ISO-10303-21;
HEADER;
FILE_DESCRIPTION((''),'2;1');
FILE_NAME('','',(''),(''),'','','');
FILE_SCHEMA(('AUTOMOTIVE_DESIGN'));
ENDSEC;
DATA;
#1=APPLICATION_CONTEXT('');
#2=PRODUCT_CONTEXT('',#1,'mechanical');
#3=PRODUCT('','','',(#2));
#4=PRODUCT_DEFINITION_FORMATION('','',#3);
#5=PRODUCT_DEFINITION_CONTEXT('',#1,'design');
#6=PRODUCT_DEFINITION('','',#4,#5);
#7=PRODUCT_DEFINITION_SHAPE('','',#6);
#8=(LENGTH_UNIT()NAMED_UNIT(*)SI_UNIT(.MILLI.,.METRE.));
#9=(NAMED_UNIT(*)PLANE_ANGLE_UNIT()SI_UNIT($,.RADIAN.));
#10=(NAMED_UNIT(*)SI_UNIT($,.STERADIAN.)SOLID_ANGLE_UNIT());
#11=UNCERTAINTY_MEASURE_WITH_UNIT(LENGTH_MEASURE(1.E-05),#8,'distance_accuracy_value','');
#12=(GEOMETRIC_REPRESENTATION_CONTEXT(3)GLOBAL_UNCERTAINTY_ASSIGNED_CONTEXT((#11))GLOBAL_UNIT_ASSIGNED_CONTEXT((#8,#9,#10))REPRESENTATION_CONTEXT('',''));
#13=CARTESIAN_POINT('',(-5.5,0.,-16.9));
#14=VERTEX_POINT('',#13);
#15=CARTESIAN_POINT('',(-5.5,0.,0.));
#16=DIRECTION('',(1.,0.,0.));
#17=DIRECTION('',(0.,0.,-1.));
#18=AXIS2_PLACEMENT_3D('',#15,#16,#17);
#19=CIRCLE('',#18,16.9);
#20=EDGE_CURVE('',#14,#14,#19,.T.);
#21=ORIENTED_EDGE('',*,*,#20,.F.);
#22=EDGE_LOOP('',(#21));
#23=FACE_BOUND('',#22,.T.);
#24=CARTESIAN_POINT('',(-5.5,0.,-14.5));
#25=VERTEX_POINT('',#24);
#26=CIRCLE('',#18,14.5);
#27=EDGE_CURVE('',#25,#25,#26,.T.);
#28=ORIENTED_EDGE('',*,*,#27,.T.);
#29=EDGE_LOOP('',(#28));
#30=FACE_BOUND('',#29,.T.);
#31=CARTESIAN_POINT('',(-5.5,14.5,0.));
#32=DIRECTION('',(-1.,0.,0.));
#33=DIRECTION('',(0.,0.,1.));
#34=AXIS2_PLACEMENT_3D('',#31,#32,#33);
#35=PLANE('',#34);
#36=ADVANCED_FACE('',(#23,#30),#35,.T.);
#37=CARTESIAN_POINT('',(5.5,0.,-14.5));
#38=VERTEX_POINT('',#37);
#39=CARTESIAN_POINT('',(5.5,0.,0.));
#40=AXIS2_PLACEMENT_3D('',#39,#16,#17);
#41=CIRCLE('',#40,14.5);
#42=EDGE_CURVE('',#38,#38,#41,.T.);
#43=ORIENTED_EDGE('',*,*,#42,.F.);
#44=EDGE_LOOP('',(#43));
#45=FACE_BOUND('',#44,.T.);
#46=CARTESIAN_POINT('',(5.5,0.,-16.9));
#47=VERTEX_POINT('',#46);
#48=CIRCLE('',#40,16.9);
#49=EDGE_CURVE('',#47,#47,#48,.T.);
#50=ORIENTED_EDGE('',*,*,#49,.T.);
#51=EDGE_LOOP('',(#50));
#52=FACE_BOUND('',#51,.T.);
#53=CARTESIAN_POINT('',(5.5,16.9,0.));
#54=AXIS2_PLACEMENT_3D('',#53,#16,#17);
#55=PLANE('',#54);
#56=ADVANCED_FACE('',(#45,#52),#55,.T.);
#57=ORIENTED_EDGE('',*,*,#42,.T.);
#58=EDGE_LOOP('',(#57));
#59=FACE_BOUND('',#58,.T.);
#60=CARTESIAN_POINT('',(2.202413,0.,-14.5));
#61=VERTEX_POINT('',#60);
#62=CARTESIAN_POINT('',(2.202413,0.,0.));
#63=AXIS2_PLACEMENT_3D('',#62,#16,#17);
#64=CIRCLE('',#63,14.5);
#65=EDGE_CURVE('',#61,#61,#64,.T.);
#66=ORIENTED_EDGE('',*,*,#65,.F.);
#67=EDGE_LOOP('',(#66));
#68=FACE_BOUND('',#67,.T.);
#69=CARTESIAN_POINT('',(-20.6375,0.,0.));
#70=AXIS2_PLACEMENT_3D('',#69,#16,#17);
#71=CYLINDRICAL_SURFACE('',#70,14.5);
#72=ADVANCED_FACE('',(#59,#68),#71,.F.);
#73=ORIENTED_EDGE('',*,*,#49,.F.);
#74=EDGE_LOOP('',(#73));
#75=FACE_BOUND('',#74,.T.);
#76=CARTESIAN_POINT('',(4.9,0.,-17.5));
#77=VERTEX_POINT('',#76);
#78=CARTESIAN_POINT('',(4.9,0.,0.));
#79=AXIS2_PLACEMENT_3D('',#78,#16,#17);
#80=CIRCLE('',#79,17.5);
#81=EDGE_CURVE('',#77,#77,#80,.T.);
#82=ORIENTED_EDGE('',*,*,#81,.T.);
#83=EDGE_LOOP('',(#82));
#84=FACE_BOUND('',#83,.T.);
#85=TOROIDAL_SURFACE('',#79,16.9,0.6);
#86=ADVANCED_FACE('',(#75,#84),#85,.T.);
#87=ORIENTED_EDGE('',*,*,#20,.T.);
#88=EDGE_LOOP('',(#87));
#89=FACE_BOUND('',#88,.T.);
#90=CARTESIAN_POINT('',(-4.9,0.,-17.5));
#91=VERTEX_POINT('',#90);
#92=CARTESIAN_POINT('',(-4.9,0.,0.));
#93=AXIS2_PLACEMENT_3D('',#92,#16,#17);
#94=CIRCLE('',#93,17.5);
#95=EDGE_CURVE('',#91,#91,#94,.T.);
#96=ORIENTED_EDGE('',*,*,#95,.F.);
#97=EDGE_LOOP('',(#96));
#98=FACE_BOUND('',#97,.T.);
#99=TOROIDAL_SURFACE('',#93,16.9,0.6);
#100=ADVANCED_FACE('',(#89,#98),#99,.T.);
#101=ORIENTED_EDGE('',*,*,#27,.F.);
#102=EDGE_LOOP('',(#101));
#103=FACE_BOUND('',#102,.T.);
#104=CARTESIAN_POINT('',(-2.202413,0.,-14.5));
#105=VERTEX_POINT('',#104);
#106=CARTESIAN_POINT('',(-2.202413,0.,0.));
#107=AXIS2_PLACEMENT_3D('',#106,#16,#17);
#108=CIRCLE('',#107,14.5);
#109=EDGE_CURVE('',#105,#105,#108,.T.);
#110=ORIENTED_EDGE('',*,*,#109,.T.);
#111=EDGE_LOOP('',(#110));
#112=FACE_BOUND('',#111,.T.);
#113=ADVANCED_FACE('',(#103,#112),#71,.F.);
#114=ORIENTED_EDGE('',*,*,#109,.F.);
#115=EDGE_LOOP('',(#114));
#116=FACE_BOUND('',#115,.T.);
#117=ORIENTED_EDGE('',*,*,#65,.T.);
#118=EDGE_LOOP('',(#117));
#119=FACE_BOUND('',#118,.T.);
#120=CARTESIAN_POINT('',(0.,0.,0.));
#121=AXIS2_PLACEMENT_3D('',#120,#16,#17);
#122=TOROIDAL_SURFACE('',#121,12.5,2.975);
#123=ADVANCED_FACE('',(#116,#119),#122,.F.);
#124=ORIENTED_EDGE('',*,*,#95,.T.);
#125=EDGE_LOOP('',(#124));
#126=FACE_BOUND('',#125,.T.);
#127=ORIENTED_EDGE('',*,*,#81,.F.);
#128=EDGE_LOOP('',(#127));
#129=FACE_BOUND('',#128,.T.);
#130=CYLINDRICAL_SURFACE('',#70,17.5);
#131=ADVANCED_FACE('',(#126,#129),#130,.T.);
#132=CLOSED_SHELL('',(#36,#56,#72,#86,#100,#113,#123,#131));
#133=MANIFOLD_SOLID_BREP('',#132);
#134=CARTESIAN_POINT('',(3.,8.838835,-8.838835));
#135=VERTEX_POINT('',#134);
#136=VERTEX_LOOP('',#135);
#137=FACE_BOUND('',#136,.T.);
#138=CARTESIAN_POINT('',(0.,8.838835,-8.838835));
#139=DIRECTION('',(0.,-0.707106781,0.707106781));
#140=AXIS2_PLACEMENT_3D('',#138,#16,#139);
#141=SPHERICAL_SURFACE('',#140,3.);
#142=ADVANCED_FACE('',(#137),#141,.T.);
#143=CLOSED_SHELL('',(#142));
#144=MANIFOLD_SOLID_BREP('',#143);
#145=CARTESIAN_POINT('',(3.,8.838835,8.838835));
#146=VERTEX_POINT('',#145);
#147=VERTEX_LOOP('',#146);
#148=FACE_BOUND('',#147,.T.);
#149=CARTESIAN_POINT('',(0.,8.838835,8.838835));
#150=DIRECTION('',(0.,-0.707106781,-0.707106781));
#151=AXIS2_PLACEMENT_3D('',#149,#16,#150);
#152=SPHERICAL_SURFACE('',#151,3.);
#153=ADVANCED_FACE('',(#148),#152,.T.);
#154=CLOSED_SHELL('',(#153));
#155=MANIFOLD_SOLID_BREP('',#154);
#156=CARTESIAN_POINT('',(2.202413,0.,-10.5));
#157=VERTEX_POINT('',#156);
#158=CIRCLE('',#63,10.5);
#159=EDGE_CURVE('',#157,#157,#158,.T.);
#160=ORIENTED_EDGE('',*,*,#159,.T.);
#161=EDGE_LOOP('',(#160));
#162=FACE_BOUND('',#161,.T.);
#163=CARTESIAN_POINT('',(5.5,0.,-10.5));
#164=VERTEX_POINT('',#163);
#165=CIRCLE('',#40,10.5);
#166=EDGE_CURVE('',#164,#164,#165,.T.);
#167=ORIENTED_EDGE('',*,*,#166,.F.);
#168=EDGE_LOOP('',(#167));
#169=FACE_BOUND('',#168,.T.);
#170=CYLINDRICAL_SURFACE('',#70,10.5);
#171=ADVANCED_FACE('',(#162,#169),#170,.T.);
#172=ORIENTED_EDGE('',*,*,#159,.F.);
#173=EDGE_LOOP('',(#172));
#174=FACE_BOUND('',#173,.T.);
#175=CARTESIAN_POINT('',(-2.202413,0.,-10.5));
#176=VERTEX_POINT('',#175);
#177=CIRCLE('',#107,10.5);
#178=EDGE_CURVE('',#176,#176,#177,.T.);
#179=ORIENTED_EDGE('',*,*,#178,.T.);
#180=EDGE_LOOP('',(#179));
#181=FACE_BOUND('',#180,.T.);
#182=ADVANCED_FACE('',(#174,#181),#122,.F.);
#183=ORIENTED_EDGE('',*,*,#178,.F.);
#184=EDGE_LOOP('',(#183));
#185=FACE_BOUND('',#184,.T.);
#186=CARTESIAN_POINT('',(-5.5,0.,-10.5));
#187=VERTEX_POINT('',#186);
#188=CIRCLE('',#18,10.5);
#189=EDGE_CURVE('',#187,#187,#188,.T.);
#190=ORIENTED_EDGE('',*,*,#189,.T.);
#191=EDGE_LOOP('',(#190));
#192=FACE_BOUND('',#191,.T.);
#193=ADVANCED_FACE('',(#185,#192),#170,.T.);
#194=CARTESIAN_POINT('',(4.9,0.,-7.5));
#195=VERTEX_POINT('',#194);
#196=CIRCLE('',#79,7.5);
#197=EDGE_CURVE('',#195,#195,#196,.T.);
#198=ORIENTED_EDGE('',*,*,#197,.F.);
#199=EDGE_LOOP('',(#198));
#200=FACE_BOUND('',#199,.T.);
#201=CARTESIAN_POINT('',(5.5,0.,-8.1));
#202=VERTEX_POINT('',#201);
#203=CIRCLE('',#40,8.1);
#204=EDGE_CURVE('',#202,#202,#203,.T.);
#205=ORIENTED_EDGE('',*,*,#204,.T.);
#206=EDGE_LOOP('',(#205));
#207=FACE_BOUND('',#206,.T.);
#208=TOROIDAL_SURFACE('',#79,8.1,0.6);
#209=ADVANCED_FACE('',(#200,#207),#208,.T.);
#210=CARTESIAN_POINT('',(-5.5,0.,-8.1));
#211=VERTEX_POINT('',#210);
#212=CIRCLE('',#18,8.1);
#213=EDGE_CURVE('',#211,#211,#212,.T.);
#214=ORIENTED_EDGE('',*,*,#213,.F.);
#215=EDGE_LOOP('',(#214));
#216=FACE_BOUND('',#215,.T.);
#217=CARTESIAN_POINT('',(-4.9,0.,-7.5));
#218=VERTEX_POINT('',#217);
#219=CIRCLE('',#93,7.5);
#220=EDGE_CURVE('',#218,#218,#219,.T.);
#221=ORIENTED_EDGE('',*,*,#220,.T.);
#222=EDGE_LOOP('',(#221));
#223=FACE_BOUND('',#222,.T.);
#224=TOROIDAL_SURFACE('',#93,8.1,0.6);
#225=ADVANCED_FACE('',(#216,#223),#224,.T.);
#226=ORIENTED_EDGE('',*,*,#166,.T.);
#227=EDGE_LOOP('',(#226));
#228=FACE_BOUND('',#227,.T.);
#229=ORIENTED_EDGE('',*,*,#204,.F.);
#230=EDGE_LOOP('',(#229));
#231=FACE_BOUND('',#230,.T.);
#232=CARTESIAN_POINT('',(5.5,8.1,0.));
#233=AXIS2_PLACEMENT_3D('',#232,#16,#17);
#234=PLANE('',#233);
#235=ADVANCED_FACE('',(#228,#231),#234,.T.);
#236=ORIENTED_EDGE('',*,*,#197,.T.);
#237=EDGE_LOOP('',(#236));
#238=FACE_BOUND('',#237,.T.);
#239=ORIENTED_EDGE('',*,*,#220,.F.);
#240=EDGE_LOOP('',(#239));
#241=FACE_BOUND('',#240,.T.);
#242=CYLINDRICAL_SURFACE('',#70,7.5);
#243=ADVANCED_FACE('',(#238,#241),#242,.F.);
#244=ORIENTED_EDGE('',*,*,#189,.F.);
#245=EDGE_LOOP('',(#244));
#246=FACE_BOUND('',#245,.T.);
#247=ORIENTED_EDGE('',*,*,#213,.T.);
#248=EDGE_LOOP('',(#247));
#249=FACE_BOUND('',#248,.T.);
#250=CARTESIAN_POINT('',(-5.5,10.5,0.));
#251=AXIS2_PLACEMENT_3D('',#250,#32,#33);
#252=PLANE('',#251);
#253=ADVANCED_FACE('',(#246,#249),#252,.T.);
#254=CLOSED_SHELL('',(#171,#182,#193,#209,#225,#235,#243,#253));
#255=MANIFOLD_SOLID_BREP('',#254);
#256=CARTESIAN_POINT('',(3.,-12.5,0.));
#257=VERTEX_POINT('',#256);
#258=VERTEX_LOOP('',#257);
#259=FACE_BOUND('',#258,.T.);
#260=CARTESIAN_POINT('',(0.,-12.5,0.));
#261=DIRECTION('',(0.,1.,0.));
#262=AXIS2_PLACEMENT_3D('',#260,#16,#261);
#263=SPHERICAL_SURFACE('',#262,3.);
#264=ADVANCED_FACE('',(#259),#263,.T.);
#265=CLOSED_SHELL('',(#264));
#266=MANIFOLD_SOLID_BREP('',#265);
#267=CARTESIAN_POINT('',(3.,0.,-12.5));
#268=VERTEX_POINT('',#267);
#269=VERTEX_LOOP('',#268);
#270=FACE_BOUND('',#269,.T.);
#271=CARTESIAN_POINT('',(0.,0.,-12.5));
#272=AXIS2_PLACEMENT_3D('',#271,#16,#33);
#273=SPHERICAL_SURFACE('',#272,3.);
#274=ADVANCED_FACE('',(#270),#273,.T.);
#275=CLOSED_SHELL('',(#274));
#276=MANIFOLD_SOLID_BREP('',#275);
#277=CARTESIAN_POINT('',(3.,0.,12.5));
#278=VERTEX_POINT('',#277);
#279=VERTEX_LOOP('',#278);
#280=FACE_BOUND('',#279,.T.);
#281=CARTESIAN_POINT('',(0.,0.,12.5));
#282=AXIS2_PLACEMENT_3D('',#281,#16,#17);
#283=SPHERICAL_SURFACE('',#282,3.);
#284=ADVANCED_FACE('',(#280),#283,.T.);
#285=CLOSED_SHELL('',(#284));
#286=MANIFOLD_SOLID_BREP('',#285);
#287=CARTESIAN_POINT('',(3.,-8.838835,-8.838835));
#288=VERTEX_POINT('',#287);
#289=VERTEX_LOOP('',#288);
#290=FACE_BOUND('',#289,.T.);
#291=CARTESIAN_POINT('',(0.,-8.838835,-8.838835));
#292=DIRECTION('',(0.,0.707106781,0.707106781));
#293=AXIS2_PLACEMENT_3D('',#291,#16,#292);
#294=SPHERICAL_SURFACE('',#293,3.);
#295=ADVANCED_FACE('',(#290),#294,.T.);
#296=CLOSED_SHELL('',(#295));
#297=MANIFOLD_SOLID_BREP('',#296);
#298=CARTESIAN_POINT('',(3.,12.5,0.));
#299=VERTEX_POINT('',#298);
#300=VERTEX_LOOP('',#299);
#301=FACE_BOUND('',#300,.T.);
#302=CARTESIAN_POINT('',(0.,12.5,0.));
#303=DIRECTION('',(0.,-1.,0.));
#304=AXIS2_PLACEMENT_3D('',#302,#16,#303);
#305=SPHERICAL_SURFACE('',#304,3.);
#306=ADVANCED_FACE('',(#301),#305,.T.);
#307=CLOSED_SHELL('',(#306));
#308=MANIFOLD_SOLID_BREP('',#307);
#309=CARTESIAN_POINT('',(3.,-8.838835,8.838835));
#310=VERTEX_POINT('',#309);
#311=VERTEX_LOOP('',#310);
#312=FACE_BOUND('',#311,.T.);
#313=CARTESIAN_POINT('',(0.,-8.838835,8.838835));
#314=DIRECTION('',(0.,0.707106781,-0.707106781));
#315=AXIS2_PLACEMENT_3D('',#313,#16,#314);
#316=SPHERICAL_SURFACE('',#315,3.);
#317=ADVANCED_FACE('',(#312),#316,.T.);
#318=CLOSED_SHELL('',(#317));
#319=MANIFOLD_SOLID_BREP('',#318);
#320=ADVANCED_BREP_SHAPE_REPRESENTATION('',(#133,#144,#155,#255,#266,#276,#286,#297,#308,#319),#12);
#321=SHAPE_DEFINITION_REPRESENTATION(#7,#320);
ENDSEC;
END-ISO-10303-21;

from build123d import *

# Parameters (mm, degrees)
R_P_TITION_CIRCULAIRE1_COUNT = 8


with BuildPart() as part:
    # BalDetSke → BallDetailed (revolve)
    with BuildSketch(Plane.XY):
        with BuildLine():
            Line((-3, 12.5), (3, 12.5))
            ThreePointArc((3, 12.5), (0, 9.5), (-3, 12.5))
        make_face()
    revolve(axis=Axis((-1.905, 12.5, 0), (1, 0, 0)))


with BuildPart() as body_2:
    # InnRacSke → InnerRace (revolve)
    with BuildSketch(Plane.XY):
        with BuildLine():
            Line((-2.202413449, 10.5), (-5.5, 10.5))
            Line((-5.5, 10.5), (-5.5, 8.1))
            ThreePointArc((-5.5, 8.1), (-5.324264069, 7.675735931), (-4.9, 7.5))
            Line((-4.9, 7.5), (4.9, 7.5))
            ThreePointArc((4.9, 7.5), (5.324264069, 7.675735931), (5.5, 8.1))
            Line((5.5, 8.1), (5.5, 10.5))
            Line((5.5, 10.5), (2.202413449, 10.5))
            ThreePointArc((2.202413449, 10.5), (0, 9.525), (-2.202413449, 10.5))
        make_face()
    revolve(axis=Axis((-20.6375, 0, 0), (1, 0, 0)))


with BuildPart() as body_3:
    # OutRacSke → OuterRace (revolve)
    with BuildSketch(Plane.XY):
        with BuildLine():
            Line((-2.202413449, 14.5), (-5.5, 14.5))
            Line((-5.5, 14.5), (-5.5, 16.9))
            ThreePointArc((-5.5, 16.9), (-5.324264069, 17.324264069), (-4.9, 17.5))
            Line((-4.9, 17.5), (4.9, 17.5))
            ThreePointArc((4.9, 17.5), (5.324264069, 17.324264069), (5.5, 16.9))
            Line((5.5, 16.9), (5.5, 14.5))
            Line((5.5, 14.5), (2.202413449, 14.5))
            ThreePointArc((2.202413449, 14.5), (0, 15.475), (-2.202413449, 14.5))
        make_face()
    revolve(axis=Axis((-20.6375, 0, 0), (1, 0, 0)))


with BuildPart() as r_p_tition_circulaire1_1:
    # Répétition circulaire1: pattern copy
    add(part.part.rotate(Axis((-20.6375, 0, 0), (1, 0, 0)), 1 * 360 / R_P_TITION_CIRCULAIRE1_COUNT))


with BuildPart() as r_p_tition_circulaire1_2:
    # Répétition circulaire1: pattern copy
    add(part.part.rotate(Axis((-20.6375, 0, 0), (1, 0, 0)), 2 * 360 / R_P_TITION_CIRCULAIRE1_COUNT))


with BuildPart() as r_p_tition_circulaire1_3:
    # Répétition circulaire1: pattern copy
    add(part.part.rotate(Axis((-20.6375, 0, 0), (1, 0, 0)), 3 * 360 / R_P_TITION_CIRCULAIRE1_COUNT))


with BuildPart() as r_p_tition_circulaire1_4:
    # Répétition circulaire1: pattern copy
    add(part.part.rotate(Axis((-20.6375, 0, 0), (1, 0, 0)), 4 * 360 / R_P_TITION_CIRCULAIRE1_COUNT))


with BuildPart() as r_p_tition_circulaire1_5:
    # Répétition circulaire1: pattern copy
    add(part.part.rotate(Axis((-20.6375, 0, 0), (1, 0, 0)), 5 * 360 / R_P_TITION_CIRCULAIRE1_COUNT))


with BuildPart() as r_p_tition_circulaire1_6:
    # Répétition circulaire1: pattern copy
    add(part.part.rotate(Axis((-20.6375, 0, 0), (1, 0, 0)), 6 * 360 / R_P_TITION_CIRCULAIRE1_COUNT))


with BuildPart() as r_p_tition_circulaire1_7:
    # Répétition circulaire1: pattern copy
    add(part.part.rotate(Axis((-20.6375, 0, 0), (1, 0, 0)), 7 * 360 / R_P_TITION_CIRCULAIRE1_COUNT))


solid = Compound([part.part, body_2.part, body_3.part, r_p_tition_circulaire1_1.part, r_p_tition_circulaire1_2.part, r_p_tition_circulaire1_3.part, r_p_tition_circulaire1_4.part, r_p_tition_circulaire1_5.part, r_p_tition_circulaire1_6.part, r_p_tition_circulaire1_7.part])
